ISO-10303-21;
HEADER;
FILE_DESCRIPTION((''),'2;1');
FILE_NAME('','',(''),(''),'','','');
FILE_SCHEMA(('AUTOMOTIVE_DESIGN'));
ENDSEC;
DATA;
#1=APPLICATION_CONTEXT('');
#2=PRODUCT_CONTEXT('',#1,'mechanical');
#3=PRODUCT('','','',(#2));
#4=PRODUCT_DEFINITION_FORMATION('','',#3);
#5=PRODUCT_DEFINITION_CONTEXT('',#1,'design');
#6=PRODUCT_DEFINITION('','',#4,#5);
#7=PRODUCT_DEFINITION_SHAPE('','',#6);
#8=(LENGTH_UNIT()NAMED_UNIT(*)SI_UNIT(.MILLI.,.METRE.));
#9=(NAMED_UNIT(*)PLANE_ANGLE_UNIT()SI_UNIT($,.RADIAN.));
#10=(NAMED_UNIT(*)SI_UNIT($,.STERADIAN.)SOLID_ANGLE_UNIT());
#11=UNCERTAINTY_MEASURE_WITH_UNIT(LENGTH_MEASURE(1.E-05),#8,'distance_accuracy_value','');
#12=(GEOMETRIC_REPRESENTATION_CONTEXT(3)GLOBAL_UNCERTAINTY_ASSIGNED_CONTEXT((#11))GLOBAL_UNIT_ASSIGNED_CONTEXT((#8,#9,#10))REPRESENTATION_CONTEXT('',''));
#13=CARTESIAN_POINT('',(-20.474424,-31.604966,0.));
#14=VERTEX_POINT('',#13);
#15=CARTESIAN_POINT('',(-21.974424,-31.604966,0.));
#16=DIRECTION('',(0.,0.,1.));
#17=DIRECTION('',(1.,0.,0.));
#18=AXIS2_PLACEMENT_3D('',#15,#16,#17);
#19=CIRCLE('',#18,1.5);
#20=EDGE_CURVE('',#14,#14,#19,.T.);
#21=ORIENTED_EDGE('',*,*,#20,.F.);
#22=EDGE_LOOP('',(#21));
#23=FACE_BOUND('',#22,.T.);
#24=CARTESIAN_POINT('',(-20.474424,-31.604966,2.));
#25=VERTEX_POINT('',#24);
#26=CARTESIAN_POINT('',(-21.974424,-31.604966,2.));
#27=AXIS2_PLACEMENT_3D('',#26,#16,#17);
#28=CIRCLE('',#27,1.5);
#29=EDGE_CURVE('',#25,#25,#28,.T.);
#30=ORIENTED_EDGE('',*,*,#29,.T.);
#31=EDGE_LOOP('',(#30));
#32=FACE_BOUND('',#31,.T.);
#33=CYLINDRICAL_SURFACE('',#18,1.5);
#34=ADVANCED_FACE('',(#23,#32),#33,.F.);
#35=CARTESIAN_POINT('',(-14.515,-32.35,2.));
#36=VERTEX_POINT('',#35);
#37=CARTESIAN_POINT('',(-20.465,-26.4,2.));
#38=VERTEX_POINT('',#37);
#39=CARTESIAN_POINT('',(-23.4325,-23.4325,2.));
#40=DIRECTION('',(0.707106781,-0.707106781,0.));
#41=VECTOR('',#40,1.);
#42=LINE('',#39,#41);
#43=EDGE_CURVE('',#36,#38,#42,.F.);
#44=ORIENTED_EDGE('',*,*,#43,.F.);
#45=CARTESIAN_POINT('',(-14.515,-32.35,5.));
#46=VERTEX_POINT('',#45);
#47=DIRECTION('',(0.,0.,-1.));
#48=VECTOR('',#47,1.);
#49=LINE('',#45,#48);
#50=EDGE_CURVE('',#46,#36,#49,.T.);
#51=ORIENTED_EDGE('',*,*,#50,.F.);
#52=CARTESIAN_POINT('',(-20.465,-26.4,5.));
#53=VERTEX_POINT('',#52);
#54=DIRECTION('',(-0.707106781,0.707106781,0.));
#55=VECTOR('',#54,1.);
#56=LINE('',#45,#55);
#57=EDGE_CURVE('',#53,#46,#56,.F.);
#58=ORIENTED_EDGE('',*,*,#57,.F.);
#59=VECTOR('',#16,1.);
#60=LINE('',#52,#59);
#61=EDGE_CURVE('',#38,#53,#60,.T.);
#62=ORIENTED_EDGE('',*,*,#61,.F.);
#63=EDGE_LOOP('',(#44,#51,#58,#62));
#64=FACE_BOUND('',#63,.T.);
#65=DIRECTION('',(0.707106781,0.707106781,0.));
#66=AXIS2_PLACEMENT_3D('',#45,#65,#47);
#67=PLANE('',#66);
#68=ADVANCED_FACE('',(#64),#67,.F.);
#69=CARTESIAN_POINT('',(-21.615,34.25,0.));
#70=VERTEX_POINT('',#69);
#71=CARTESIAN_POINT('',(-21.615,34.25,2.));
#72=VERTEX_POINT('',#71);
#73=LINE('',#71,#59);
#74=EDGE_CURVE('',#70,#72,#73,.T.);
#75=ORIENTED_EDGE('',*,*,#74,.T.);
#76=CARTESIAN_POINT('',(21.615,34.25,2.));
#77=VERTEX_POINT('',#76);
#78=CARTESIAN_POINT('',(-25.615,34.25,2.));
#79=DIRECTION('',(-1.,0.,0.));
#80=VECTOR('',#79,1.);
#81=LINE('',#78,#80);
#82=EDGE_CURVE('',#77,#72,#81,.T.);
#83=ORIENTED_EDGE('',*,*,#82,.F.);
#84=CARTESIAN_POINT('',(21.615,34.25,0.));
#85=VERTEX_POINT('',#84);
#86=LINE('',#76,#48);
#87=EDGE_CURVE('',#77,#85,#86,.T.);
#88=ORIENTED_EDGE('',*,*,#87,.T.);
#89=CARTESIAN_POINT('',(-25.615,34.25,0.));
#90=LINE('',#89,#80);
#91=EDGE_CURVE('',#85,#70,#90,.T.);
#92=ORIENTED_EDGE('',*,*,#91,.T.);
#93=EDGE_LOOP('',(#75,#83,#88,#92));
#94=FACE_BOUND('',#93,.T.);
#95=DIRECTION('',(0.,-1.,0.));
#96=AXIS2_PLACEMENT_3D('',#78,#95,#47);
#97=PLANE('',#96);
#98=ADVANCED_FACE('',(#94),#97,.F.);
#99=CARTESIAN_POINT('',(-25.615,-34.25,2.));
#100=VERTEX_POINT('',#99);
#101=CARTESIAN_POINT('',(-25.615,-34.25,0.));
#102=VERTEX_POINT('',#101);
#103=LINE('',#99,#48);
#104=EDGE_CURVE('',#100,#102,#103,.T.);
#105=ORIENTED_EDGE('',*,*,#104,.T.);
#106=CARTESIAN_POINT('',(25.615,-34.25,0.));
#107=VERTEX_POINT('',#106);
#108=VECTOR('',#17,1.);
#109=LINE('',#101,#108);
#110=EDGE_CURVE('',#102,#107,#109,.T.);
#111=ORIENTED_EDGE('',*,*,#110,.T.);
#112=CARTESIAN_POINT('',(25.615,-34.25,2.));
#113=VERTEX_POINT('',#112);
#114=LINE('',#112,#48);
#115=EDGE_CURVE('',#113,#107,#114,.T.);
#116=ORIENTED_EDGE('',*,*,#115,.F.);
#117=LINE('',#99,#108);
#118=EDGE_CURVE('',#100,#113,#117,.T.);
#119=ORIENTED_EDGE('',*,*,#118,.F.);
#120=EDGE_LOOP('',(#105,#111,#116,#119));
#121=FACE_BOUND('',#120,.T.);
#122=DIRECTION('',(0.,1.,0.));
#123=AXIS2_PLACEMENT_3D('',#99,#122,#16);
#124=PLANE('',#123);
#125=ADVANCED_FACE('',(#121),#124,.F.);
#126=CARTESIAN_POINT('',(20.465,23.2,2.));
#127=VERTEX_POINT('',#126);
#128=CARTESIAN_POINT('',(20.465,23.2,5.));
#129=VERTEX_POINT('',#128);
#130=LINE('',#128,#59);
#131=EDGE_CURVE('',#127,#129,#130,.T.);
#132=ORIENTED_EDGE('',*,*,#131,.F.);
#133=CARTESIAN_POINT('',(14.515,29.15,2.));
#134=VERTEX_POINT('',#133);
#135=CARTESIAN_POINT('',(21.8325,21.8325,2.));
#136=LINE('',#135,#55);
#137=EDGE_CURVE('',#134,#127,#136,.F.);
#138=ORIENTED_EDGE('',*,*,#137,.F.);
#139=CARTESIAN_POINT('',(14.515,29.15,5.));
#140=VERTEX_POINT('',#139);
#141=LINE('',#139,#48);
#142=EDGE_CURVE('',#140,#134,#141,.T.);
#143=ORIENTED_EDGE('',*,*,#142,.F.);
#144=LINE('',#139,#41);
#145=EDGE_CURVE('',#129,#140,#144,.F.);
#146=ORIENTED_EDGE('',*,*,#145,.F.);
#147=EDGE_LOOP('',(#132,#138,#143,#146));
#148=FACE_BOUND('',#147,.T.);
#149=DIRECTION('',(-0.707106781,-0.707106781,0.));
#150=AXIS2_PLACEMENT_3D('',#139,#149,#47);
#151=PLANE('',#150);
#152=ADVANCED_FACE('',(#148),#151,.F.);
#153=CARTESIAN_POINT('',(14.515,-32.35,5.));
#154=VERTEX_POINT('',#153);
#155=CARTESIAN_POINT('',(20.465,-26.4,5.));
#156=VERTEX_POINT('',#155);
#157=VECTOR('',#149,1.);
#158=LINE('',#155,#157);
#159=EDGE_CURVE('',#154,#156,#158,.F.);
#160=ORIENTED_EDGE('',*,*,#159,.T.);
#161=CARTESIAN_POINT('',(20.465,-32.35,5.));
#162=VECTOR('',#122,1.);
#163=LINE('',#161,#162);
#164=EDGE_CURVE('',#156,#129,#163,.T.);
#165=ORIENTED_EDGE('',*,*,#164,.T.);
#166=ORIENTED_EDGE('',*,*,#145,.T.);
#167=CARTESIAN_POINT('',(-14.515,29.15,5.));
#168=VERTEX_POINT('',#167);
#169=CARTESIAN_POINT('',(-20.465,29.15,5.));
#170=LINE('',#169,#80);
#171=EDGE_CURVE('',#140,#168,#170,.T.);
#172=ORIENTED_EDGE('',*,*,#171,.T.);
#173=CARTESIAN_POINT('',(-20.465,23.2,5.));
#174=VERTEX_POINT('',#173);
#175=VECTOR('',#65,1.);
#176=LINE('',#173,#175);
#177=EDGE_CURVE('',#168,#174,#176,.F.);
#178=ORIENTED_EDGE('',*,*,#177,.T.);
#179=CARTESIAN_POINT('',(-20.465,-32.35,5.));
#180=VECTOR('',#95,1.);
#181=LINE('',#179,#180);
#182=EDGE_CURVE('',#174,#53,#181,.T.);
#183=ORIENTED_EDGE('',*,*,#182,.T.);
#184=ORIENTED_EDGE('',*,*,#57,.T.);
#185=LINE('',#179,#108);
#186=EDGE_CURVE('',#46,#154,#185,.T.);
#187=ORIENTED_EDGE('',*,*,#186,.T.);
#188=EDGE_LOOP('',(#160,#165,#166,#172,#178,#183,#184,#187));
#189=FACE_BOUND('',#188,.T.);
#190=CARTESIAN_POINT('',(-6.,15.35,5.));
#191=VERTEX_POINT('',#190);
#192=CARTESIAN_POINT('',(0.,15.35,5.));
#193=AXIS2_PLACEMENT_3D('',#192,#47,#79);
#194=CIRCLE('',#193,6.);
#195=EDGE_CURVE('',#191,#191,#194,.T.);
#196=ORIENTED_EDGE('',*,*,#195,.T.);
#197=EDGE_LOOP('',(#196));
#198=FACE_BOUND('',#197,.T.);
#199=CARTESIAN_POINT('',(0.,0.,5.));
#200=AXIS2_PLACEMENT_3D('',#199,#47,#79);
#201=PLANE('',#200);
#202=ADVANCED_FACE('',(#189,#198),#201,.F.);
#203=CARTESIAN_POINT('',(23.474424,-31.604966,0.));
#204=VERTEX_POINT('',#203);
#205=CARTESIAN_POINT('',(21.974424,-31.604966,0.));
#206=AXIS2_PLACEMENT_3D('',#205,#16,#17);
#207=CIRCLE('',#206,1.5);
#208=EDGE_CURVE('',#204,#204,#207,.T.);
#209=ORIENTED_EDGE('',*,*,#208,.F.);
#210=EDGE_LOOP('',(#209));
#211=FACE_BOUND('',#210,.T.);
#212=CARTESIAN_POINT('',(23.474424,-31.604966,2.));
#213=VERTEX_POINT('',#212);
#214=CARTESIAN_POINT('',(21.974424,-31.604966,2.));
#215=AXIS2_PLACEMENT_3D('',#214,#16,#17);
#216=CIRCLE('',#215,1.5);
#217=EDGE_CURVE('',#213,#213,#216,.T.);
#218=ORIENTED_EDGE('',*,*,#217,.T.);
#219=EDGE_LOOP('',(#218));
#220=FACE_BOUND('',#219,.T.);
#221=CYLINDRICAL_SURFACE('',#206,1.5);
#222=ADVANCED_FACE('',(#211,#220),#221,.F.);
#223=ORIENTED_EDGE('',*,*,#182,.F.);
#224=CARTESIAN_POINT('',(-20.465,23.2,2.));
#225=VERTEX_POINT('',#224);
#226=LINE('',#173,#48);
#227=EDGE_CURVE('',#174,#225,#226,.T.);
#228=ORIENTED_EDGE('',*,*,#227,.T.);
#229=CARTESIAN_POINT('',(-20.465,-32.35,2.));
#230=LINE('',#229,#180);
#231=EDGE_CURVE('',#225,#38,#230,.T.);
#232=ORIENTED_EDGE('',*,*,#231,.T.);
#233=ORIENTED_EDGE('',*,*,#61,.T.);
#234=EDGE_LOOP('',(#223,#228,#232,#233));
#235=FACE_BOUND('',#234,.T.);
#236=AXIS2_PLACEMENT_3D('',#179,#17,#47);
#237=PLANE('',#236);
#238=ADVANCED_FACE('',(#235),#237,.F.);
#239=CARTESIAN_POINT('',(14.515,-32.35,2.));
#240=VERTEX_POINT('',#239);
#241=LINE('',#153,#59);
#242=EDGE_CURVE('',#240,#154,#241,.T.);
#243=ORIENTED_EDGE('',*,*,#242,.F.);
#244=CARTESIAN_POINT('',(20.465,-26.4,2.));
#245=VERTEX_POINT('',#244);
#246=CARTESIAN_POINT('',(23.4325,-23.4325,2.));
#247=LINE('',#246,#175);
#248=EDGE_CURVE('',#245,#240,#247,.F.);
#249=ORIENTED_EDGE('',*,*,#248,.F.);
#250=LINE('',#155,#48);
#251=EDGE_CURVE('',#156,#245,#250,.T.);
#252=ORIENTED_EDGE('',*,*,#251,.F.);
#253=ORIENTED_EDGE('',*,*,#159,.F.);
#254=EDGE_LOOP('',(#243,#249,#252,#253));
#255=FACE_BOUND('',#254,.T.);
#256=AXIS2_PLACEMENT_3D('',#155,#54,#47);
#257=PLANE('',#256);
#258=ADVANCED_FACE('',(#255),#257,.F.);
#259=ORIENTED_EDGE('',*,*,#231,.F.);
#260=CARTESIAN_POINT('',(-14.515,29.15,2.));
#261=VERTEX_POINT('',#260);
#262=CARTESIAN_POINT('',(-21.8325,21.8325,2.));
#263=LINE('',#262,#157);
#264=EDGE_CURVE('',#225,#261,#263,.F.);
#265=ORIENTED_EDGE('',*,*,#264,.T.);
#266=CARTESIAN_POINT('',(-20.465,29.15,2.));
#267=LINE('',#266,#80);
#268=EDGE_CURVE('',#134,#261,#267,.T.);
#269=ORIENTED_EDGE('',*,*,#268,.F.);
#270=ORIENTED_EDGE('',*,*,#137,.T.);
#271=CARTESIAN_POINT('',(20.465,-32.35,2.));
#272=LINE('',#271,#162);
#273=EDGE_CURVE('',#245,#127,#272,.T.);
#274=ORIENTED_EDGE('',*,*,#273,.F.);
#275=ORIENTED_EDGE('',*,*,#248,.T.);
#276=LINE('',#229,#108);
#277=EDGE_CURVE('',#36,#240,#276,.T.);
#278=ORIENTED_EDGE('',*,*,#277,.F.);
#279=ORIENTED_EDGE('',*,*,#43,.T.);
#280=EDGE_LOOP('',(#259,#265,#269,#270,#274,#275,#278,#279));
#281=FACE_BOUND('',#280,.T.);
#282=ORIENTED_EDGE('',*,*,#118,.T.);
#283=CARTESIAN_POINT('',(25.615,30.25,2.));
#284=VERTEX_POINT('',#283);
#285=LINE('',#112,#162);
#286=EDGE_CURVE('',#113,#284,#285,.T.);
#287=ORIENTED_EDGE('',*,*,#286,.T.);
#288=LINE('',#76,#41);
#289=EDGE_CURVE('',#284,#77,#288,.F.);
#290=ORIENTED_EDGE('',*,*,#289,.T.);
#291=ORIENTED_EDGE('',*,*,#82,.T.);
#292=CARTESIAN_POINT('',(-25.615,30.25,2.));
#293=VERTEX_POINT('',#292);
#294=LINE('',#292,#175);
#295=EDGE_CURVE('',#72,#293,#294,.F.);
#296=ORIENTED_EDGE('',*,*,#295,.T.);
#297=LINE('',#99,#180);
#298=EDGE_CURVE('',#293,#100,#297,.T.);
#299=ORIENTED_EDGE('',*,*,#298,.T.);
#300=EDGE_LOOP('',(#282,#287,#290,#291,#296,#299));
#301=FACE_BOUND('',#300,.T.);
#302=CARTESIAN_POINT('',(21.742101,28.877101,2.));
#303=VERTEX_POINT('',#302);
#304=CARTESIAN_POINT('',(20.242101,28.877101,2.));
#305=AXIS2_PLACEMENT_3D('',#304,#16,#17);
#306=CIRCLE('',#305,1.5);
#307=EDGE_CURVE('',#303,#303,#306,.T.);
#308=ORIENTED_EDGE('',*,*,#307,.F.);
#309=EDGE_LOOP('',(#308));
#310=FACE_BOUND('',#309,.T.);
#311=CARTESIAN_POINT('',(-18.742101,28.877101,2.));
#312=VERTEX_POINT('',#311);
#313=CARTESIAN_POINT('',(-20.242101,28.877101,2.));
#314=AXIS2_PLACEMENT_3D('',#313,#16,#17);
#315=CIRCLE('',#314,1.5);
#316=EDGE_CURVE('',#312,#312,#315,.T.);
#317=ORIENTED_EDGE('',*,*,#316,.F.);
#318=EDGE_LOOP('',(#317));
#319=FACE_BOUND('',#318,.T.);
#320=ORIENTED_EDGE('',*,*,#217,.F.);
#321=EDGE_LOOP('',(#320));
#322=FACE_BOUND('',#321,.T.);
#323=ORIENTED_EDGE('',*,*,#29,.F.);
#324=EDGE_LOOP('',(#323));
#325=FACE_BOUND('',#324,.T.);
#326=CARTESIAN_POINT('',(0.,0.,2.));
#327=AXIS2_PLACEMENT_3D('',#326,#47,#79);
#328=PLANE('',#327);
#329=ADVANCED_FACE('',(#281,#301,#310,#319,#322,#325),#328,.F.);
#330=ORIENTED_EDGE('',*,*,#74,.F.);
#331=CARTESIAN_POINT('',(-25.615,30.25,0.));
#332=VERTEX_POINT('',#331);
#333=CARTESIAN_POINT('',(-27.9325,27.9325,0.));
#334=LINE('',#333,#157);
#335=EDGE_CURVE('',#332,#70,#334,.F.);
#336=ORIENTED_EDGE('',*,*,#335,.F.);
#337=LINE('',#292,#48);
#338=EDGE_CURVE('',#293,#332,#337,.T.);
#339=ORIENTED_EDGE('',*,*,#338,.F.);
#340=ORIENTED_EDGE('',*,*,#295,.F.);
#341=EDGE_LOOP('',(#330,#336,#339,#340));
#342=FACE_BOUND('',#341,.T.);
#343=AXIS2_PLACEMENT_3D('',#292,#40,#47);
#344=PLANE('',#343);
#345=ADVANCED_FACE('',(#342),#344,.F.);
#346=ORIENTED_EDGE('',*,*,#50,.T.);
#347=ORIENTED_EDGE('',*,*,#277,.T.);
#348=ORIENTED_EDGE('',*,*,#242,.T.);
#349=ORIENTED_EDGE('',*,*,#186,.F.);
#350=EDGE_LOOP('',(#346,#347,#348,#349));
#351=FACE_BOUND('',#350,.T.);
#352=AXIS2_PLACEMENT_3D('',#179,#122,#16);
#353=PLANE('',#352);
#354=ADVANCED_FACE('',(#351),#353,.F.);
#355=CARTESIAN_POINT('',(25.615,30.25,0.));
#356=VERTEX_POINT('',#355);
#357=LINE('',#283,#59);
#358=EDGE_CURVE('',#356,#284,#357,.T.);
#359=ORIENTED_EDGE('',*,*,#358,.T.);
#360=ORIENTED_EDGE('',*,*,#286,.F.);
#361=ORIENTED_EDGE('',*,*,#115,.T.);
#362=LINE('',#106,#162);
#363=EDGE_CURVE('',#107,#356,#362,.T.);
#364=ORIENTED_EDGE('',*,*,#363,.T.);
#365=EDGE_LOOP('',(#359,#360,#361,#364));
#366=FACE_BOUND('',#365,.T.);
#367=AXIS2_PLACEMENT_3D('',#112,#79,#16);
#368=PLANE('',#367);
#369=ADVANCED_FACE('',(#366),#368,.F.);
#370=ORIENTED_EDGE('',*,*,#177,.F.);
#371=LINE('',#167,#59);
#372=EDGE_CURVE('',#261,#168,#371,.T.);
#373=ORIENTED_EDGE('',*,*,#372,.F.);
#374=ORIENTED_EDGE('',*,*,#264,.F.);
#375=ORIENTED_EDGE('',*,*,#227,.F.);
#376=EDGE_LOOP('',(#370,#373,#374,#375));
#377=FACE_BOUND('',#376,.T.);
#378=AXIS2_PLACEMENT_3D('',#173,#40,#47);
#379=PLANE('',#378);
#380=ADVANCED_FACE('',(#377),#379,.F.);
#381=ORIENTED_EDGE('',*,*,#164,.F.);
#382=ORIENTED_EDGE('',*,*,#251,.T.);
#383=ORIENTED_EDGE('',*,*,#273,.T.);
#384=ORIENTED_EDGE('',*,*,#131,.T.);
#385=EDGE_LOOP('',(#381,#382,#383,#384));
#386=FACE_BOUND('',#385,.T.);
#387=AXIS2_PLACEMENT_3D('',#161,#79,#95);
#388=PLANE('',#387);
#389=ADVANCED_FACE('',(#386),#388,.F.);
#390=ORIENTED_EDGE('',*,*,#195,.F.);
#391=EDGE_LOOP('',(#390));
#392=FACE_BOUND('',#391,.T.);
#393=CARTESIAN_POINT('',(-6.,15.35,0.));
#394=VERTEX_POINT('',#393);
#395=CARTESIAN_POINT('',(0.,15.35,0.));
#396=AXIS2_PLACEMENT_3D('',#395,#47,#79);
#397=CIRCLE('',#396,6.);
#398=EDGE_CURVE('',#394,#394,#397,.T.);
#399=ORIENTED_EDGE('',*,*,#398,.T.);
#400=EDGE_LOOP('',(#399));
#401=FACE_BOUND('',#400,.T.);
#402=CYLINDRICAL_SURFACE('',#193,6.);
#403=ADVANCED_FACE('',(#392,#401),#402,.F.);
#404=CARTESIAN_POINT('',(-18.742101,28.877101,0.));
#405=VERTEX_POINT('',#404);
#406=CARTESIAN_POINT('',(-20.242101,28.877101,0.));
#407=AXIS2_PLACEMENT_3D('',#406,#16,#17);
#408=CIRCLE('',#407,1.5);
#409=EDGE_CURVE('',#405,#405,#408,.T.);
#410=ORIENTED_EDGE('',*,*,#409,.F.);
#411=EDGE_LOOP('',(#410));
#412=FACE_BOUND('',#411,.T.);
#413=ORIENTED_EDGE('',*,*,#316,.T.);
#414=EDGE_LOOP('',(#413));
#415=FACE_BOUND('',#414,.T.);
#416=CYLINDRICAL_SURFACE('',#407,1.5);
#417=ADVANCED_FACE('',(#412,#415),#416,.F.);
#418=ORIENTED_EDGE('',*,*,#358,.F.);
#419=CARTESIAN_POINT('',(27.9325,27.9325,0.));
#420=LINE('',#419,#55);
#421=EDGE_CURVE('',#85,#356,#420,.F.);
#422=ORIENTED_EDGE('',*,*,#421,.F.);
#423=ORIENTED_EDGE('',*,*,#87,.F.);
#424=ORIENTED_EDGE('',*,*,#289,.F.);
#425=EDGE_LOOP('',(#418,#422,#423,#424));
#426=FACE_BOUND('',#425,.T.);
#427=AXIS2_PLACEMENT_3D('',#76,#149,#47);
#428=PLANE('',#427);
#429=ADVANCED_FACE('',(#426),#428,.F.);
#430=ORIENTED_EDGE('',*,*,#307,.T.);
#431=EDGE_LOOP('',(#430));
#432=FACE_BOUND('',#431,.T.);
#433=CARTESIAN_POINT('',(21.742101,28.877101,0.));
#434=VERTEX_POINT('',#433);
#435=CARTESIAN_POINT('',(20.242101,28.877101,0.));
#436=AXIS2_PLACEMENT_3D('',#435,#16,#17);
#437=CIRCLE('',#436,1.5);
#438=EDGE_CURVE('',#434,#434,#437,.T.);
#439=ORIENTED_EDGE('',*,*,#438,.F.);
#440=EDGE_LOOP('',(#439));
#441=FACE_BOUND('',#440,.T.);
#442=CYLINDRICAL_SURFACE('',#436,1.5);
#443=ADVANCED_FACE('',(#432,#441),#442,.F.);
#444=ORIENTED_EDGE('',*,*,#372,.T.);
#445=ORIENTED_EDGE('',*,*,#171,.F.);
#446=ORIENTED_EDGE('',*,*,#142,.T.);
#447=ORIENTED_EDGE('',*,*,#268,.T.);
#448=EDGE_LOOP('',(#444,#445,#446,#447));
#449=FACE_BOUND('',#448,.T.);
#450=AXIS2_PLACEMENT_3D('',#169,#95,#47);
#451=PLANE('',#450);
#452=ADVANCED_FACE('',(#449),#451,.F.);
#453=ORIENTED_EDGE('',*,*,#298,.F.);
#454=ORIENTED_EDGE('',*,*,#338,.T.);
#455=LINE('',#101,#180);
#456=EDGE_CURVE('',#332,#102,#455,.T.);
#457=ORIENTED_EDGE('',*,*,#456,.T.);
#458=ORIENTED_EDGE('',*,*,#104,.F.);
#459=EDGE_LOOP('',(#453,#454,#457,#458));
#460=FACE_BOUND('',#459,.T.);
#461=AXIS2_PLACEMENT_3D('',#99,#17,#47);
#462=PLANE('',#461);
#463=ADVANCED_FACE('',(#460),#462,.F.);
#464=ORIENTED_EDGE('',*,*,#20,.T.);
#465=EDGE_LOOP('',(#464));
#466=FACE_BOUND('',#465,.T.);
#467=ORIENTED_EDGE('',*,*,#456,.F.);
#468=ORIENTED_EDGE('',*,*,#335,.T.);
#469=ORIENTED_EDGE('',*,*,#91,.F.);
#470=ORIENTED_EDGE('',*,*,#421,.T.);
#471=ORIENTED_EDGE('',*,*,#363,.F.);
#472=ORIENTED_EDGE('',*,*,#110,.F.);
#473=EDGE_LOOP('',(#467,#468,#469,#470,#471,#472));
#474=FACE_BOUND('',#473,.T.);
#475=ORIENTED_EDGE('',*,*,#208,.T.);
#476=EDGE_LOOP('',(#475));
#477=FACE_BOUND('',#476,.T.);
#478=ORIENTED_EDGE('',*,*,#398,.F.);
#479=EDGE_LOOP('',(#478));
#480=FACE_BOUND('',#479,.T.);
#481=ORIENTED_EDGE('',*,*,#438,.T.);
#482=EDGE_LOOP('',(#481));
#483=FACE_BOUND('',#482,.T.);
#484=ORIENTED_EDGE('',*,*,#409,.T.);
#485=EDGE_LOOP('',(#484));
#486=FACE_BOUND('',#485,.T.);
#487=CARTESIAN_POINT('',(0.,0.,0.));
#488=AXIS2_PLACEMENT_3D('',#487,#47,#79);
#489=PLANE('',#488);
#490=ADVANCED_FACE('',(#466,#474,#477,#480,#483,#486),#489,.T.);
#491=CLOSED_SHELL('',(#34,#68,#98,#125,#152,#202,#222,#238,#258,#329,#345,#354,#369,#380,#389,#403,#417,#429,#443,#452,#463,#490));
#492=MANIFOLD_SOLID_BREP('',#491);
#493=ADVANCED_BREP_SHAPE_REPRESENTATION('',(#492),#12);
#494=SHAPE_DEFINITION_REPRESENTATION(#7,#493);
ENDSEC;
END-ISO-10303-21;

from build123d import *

# Parameters (mm, degrees)
SKETCH1_W           = 51.23
SKETCH1_H           = 68.5
BOSS_EXTRUDE1_DEPTH = 2
CHAMFER1_SIZE       = 4
SKETCH3_W           = 40.93
SKETCH3_H           = 61.5
BOSS_EXTRUDE3_DEPTH = 3
CHAMFER2_SIZE       = 5.95
SKETCH4_R           = 1.5
CUT_EXTRUDE1_DEPTH  = 43.874126522
SKETCH5_R           = 6
CUT_EXTRUDE2_DEPTH  = 44.060314966


with BuildPart() as part:
    # Sketch1 → Boss-Extrude1 (new body)
    with BuildSketch(Plane.XY):
        Rectangle(SKETCH1_W, SKETCH1_H)
    extrude(amount=BOSS_EXTRUDE1_DEPTH)

    # Chamfer1
    chamfer1_edges = [part.edges().sort_by_distance(p)[0] for p in [
        (-25.615, 34.25, 1),
        (25.615, 34.25, 1),
    ]]
    chamfer(chamfer1_edges, length=CHAMFER1_SIZE)

    # Sketch3 → Boss-Extrude3 (add)
    with BuildSketch(Plane.XY.offset(2)):
        with Locations((0, -1.6)):
            Rectangle(SKETCH3_W, SKETCH3_H)
    extrude(amount=BOSS_EXTRUDE3_DEPTH)

    # Chamfer2
    chamfer2_edges = [part.edges().sort_by_distance(p)[0] for p in [
        (20.465, -32.35, 3.5),
        (20.465, 29.15, 3.5),
        (-20.465, 29.15, 3.5),
        (-20.465, -32.35, 3.5),
    ]]
    chamfer(chamfer2_edges, length=CHAMFER2_SIZE)

    # Sketch4 → Cut-Extrude1 (cut, through all)
    with BuildSketch(Plane.XY.offset(2)):
        with Locations((-20.242100654, 28.877100654)):
            Circle(SKETCH4_R)
        with Locations((20.242100654, 28.877100654)):
            Circle(SKETCH4_R)
        with Locations((21.974423525, -31.604966365)):
            Circle(SKETCH4_R)
        with Locations((-21.974423525, -31.604966365)):
            Circle(SKETCH4_R)
    extrude(amount=-CUT_EXTRUDE1_DEPTH, mode=Mode.SUBTRACT)

    # Sketch5 → Cut-Extrude2 (cut, through all)
    with BuildSketch(Plane(origin=(0, 0, 0), x_dir=(-1, 0, 0), z_dir=(0, 0, -1))):
        with Locations((0, 15.35)):
            Circle(SKETCH5_R)
    extrude(amount=-CUT_EXTRUDE2_DEPTH, mode=Mode.SUBTRACT)


solid = part.part
